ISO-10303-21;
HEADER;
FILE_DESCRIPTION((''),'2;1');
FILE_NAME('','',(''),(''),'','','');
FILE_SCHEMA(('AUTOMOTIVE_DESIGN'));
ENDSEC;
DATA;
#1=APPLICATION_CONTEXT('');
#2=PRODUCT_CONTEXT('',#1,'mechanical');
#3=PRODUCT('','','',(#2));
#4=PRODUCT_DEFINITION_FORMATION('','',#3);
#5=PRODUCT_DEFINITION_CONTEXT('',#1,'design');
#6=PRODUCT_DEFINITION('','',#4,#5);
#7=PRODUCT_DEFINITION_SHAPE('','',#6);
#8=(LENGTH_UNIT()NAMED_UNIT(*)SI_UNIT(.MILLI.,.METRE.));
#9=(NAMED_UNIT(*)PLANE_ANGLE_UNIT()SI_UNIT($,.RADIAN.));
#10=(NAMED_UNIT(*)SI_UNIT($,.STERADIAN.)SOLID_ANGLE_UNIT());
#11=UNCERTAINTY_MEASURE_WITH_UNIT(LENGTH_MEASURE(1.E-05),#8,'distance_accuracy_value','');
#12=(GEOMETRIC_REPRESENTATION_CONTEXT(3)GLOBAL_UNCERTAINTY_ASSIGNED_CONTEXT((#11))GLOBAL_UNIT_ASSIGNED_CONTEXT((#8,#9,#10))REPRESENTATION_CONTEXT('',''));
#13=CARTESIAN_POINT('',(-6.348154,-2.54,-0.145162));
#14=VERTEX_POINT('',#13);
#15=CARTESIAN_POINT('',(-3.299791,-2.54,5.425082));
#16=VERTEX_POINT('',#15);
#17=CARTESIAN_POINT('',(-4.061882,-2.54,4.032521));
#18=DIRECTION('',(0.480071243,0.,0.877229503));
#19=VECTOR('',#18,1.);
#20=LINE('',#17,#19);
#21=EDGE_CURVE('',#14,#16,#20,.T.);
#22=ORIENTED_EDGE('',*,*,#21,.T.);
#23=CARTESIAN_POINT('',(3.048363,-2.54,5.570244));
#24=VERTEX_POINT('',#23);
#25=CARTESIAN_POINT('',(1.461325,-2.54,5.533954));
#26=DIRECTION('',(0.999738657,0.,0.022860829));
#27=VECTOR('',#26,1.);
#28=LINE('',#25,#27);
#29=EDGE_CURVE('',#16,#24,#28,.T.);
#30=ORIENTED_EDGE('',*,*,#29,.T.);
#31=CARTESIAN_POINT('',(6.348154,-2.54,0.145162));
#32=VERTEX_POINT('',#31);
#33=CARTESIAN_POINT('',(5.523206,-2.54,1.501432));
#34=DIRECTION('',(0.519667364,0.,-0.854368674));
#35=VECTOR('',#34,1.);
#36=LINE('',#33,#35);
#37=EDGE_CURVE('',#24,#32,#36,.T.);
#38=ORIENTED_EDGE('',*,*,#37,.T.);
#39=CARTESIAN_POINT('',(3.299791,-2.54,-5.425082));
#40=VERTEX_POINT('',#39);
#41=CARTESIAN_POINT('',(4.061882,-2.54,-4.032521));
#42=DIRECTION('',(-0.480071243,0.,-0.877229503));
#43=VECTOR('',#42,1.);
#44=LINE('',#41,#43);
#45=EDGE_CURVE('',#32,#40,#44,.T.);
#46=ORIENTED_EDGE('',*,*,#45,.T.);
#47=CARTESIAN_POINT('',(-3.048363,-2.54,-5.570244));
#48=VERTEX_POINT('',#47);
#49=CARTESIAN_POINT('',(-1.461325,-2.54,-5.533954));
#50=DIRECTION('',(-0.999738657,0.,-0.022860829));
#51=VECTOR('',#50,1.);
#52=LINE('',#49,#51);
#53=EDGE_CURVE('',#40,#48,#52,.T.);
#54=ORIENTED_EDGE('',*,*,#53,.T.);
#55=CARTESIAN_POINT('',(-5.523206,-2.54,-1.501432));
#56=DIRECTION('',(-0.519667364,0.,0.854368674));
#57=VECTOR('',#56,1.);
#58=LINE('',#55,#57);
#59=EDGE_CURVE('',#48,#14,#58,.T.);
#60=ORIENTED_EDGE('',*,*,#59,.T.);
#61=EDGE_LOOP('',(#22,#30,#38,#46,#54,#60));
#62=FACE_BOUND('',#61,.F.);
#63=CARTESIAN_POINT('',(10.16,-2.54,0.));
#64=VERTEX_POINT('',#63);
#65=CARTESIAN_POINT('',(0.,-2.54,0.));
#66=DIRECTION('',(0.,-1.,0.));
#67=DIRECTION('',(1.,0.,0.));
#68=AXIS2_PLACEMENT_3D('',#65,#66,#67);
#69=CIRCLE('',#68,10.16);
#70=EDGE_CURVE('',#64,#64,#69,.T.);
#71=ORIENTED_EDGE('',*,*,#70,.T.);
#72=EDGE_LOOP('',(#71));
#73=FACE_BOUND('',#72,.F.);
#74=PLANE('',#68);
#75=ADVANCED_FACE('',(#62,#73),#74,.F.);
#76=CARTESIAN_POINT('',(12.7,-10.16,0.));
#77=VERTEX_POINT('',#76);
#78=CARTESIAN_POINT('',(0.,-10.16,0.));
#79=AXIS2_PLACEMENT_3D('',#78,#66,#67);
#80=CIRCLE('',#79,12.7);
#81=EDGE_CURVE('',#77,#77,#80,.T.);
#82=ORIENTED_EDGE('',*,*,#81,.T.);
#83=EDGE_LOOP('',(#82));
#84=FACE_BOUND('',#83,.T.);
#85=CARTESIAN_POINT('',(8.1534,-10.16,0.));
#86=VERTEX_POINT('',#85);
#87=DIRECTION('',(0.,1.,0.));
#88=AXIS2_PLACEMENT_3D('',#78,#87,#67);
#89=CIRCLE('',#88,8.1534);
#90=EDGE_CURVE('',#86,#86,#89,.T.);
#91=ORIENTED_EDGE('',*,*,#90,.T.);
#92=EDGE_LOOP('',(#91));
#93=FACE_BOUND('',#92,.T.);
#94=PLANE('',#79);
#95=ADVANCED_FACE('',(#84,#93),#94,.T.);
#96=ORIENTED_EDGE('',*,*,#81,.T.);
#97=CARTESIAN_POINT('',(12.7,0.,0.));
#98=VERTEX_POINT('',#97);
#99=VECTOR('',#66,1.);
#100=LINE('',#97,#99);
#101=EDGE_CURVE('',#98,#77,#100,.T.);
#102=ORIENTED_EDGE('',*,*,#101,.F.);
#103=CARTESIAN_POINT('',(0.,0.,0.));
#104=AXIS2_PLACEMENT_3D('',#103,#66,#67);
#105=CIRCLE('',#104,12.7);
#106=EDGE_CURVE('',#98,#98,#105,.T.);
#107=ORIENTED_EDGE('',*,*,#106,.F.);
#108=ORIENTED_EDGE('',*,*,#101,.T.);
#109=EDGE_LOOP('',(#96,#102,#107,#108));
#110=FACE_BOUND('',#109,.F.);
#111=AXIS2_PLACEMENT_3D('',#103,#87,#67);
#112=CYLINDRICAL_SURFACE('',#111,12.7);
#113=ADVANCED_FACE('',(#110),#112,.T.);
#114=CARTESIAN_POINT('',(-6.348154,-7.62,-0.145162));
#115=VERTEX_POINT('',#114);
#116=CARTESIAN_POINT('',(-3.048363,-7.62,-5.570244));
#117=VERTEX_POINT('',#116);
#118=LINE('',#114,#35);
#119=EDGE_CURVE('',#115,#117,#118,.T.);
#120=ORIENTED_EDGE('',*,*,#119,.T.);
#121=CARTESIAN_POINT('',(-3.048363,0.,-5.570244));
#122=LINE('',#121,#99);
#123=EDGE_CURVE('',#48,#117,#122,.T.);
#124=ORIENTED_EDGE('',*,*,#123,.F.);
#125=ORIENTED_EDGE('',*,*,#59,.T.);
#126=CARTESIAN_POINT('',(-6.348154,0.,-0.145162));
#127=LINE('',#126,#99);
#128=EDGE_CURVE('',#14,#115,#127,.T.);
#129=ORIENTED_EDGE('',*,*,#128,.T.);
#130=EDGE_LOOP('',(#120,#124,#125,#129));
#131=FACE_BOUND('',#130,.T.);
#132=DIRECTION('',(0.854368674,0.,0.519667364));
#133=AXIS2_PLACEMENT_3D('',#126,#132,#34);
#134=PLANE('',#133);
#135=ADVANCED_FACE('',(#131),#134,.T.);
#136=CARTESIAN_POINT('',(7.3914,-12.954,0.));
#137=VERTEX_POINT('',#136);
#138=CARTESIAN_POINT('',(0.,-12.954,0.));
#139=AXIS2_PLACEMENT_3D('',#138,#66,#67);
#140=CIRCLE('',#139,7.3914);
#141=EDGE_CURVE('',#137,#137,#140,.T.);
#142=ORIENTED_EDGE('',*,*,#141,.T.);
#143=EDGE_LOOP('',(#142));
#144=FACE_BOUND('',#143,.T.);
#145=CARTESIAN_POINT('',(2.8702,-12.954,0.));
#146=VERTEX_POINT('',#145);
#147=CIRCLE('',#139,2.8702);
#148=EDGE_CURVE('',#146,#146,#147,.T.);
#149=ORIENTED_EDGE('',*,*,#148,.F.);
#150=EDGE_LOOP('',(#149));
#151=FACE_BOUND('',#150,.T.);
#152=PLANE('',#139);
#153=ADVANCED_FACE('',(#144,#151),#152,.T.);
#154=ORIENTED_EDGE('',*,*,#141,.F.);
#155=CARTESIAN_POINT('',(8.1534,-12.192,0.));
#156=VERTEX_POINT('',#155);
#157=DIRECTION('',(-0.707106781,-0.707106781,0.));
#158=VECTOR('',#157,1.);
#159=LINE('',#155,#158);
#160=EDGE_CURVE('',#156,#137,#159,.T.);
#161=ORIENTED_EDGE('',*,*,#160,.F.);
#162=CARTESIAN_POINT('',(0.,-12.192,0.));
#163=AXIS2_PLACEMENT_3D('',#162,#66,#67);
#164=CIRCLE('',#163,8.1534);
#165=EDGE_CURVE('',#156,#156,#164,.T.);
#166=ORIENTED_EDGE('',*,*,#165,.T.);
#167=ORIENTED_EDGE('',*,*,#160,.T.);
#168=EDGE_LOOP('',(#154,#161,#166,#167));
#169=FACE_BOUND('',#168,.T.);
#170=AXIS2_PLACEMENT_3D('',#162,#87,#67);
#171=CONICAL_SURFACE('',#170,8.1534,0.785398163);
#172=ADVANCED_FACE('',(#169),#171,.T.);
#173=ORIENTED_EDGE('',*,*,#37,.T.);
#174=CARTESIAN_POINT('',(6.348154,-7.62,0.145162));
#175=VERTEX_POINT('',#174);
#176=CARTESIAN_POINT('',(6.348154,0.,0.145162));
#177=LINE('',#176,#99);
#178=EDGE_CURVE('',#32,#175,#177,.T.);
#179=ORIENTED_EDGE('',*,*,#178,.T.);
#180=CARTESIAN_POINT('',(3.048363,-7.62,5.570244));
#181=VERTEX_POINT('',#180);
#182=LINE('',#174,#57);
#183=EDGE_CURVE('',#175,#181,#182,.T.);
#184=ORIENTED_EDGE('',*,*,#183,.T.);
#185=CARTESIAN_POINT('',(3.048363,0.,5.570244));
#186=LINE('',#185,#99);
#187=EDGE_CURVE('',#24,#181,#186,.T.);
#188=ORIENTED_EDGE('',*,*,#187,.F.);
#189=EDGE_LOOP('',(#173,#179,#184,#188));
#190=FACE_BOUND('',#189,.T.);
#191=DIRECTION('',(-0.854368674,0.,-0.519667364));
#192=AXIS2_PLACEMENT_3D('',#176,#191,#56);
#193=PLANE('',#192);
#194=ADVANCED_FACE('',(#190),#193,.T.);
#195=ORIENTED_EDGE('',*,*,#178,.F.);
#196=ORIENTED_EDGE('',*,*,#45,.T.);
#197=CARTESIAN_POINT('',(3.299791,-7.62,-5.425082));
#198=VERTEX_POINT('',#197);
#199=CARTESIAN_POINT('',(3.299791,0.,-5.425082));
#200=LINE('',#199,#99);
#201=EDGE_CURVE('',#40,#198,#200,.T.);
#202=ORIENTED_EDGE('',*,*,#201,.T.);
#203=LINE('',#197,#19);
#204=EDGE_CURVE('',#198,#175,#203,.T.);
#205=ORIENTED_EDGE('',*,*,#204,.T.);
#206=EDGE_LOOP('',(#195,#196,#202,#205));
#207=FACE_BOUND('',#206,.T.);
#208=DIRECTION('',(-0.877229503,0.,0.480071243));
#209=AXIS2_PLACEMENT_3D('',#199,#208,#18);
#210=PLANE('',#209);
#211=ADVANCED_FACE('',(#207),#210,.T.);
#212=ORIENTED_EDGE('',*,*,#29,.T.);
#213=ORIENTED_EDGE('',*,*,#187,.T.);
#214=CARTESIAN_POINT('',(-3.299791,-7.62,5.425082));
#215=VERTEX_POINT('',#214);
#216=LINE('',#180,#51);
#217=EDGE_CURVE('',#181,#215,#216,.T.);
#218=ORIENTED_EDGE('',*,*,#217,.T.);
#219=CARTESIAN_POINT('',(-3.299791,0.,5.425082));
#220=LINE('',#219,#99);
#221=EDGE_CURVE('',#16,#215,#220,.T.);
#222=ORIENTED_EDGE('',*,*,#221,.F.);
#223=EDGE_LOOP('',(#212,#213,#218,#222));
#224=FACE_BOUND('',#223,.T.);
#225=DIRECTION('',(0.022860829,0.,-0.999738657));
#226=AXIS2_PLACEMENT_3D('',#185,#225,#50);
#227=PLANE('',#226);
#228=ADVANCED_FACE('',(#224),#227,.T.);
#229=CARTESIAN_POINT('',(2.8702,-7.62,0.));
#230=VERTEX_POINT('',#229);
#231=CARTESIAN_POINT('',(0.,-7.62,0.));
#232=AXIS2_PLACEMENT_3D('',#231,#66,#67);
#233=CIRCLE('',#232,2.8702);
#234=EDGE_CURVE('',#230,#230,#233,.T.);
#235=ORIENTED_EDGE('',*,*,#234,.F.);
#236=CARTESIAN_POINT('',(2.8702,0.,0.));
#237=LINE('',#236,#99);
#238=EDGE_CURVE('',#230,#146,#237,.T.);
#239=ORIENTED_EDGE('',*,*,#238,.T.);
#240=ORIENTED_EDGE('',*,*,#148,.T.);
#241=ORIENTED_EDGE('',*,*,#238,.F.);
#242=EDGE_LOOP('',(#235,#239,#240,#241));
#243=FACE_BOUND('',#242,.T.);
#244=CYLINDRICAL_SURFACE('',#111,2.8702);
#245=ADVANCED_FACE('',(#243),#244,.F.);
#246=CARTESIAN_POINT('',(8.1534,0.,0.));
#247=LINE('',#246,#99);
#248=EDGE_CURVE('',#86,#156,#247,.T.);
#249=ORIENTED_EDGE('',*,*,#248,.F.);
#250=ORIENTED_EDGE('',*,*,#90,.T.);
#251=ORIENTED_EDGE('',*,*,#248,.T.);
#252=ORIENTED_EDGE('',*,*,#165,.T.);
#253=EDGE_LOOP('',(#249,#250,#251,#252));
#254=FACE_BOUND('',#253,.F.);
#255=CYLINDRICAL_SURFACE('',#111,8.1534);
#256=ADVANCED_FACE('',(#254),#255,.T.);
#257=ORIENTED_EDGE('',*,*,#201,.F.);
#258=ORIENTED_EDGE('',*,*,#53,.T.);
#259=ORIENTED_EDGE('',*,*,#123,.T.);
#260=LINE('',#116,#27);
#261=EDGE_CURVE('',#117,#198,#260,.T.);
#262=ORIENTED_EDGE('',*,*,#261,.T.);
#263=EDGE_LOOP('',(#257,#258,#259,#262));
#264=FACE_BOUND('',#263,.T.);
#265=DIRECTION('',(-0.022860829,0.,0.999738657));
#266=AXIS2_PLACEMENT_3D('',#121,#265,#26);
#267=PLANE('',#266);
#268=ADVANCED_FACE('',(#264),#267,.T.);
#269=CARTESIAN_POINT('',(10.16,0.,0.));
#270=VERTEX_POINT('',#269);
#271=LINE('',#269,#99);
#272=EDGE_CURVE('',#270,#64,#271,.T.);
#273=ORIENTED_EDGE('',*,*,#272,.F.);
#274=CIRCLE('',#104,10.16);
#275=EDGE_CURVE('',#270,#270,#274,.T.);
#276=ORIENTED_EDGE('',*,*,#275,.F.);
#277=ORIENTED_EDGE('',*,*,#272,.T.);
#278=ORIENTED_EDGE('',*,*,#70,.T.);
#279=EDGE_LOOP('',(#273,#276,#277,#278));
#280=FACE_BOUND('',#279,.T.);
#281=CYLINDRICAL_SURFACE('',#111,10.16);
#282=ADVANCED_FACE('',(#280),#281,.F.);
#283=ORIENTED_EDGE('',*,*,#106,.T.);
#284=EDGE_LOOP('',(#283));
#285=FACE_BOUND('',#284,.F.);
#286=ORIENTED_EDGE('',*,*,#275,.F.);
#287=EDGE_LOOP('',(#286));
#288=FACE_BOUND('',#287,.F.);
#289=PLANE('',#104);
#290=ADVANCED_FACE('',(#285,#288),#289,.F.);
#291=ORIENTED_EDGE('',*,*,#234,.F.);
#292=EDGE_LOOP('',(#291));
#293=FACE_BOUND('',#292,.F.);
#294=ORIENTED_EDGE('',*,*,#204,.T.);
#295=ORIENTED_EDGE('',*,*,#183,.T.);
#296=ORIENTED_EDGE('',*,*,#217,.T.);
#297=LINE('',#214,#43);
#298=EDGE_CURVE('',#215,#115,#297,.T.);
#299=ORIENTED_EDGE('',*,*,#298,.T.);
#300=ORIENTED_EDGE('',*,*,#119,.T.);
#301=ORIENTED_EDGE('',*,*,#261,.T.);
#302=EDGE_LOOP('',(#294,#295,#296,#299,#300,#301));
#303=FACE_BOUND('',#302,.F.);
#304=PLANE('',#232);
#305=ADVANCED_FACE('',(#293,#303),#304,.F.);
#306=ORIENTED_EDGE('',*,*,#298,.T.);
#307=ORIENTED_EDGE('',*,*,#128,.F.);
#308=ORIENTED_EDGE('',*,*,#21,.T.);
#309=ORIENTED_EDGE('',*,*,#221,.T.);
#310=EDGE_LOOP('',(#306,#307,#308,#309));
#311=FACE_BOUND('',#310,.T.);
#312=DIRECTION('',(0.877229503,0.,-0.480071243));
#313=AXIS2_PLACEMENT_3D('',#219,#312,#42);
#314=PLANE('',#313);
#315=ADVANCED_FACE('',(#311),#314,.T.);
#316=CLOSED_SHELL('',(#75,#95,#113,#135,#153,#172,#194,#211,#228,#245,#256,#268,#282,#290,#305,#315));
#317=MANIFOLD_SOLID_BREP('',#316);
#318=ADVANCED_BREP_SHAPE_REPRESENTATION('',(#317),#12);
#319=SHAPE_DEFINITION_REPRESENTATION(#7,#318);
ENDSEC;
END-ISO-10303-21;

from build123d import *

# Parameters (mm, degrees)
F0_R     = 12.7
F0_R_2   = 10.16
F0_R_3   = 8.1534
F0_R_4   = 2.8702
F1_DEPTH = 10.16
F2_DEPTH = 12.954
F3_DEPTH = 2.54
F4_DEPTH = 7.62
F5_SIZE  = 0.762


with BuildPart() as f1:
    # F0 (on Front) → F1 (new body)
    with BuildSketch(Plane.XZ):
        Circle(F0_R)
        Circle(F0_R_2, mode=Mode.SUBTRACT)
        Circle(F0_R_2)
        Circle(F0_R_3, mode=Mode.SUBTRACT)
        Circle(F0_R_3)
        Polygon((-3.299791, 5.425082), (3.048363, 5.570244), (6.348154, 0.145162), (3.299791, -5.425082), (-3.048363, -5.570244), (-6.348154, -0.145162), align=None, mode=Mode.SUBTRACT)
        Polygon((6.348154, 0.145162), (3.048363, 5.570244), (-3.299791, 5.425082), (-6.348154, -0.145162), (-3.048363, -5.570244), (3.299791, -5.425082), align=None)
        Circle(F0_R_4, mode=Mode.SUBTRACT)
    extrude(amount=F1_DEPTH)

    # F0 (on Front) → F2 (join)
    with BuildSketch(Plane.XZ):
        Circle(F0_R_3)
        Polygon((-3.299791, 5.425082), (3.048363, 5.570244), (6.348154, 0.145162), (3.299791, -5.425082), (-3.048363, -5.570244), (-6.348154, -0.145162), align=None, mode=Mode.SUBTRACT)
        Polygon((6.348154, 0.145162), (3.048363, 5.570244), (-3.299791, 5.425082), (-6.348154, -0.145162), (-3.048363, -5.570244), (3.299791, -5.425082), align=None)
        Circle(F0_R_4, mode=Mode.SUBTRACT)
    extrude(amount=F2_DEPTH)

    # F0 (on Front) → F3 (cut)
    with BuildSketch(Plane.XZ):
        Circle(F0_R_2)
        Circle(F0_R_3, mode=Mode.SUBTRACT)
        Circle(F0_R_3)
        Polygon((-3.299791, 5.425082), (3.048363, 5.570244), (6.348154, 0.145162), (3.299791, -5.425082), (-3.048363, -5.570244), (-6.348154, -0.145162), align=None, mode=Mode.SUBTRACT)
        Polygon((6.348154, 0.145162), (3.048363, 5.570244), (-3.299791, 5.425082), (-6.348154, -0.145162), (-3.048363, -5.570244), (3.299791, -5.425082), align=None)
        Circle(F0_R_4, mode=Mode.SUBTRACT)
    extrude(amount=F3_DEPTH, mode=Mode.SUBTRACT)

    # F0 (on Front) → F4 (cut)
    with BuildSketch(Plane.XZ):
        Polygon((6.348154, 0.145162), (3.048363, 5.570244), (-3.299791, 5.425082), (-6.348154, -0.145162), (-3.048363, -5.570244), (3.299791, -5.425082), align=None)
        Circle(F0_R_4, mode=Mode.SUBTRACT)
    extrude(amount=F4_DEPTH, mode=Mode.SUBTRACT)

    # F5
    f5_edges = [f1.edges().sort_by_distance(p)[0] for p in [
        (-8.1534, -12.954, 0),
    ]]
    chamfer(f5_edges, length=F5_SIZE)


solid = f1.part
